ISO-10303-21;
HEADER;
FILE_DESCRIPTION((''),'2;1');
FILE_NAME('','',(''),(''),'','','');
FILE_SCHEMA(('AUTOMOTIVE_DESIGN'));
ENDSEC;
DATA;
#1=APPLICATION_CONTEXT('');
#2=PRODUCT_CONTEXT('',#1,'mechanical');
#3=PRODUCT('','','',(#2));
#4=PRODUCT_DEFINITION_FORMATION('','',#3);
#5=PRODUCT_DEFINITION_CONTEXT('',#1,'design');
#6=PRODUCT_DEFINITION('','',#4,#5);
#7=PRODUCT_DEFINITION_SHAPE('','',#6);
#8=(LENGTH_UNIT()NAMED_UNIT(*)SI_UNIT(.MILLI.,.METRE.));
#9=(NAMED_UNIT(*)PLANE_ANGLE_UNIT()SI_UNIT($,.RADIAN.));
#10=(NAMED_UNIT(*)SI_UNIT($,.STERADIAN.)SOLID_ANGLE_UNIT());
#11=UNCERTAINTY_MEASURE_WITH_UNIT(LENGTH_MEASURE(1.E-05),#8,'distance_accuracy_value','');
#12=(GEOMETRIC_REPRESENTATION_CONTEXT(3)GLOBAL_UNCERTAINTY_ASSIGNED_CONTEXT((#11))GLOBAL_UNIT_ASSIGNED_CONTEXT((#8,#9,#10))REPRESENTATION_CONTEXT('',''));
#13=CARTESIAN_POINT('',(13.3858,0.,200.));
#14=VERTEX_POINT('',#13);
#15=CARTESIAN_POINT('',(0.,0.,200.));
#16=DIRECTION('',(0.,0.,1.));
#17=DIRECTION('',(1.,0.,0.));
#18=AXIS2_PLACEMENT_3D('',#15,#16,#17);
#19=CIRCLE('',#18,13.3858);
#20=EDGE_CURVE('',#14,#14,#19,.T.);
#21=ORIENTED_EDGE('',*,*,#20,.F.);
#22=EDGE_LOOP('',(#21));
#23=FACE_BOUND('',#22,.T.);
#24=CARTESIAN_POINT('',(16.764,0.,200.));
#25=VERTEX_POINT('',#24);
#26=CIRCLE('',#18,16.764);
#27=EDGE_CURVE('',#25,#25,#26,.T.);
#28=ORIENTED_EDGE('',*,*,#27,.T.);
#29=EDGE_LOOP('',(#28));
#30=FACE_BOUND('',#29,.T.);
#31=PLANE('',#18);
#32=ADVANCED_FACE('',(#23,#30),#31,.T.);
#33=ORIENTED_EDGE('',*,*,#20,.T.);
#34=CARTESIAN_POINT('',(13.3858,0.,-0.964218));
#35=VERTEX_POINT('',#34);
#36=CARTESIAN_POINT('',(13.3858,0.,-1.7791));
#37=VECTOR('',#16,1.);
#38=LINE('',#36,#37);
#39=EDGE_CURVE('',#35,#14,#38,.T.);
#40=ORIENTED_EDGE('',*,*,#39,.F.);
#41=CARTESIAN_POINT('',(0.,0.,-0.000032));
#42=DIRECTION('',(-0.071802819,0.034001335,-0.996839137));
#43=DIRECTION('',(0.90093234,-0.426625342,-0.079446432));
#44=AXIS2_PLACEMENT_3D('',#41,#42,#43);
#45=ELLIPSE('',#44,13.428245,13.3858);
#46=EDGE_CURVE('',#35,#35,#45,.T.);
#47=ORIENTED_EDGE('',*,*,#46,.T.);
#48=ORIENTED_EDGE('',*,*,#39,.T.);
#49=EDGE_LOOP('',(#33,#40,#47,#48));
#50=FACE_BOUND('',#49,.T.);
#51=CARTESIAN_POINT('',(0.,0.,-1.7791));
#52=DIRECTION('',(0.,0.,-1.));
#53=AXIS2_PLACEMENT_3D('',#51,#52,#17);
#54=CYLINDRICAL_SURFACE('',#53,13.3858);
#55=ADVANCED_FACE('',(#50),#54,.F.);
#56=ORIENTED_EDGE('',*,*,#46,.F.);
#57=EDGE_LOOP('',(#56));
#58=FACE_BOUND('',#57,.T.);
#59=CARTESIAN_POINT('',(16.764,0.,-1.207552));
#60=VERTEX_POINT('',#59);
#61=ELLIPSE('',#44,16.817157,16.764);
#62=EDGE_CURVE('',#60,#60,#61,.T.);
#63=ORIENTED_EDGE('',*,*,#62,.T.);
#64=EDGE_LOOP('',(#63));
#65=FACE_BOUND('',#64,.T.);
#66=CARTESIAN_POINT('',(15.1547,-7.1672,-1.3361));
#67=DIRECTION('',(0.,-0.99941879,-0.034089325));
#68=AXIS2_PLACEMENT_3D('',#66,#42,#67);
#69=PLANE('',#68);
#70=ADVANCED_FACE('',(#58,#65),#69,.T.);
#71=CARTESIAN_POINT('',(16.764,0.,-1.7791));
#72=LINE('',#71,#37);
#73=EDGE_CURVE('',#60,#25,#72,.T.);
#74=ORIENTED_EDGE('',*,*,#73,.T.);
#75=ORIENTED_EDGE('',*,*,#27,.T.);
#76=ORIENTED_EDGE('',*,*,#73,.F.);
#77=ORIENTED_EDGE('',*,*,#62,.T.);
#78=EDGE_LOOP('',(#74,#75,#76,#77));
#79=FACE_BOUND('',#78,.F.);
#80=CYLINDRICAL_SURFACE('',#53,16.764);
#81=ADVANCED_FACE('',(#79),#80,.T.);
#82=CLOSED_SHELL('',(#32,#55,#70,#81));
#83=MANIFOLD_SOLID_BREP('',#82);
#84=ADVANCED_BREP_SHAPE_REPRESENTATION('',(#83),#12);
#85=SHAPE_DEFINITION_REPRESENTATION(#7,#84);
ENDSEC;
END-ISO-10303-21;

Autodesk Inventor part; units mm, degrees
ref_plane "Start plane" through (0, 0, -1.7791) normal (0, 0, 1) x (1, 0, 0)
ref_plane "End plane" through (0, 0, 200) normal (0, 0, 1) x (1, 0, 0)
sketch "Sketch" plane through (0, 0, 0) normal (0, 0, 1) x (1, 0, 0)
  circle A0 centre (0, 0) radius 13.3858
  circle A1 centre (0, 0) radius 16.764
  dimension "d0" = 33.528
  dimension "d1" = 3.3782
extrude "Body" add sketch "Sketch" along normal up to surface (201.7791 mm away) from surface at -1.7791
sketch "Sketch3" plane through (0, 0, 0) normal (0, 0, 1) x (1, 0, 0)
  line L0 (0, 0) -> (10, 0)
ref_plane "Work Plane3" through (0, 0, 0) normal (0, -1, 0) x (1, 0, 0)
ref_plane "Work Plane4" through (15.1547, -7.1672, -1.3361) normal (-0.0718, 0.034, -0.9968) x (-0.6318, 0.7718, 0.0718)
split "Split1" plane through (15.1547, -7.1672, -1.3361) removes the side toward (-0.0718, 0.034, -0.9968)
sketch "Sketch4" plane through (0, 0, 0) normal (0, -1, 0) x (1, 0, 0)
  line L0 (-2, -1.7791) -> (12, -1.7791) projected
  line L1 (-2, 200) -> (12, 200) projected
  dimension "d7" = 201.7791
equation "\"d0\" = G_H"
equation "\"d1\" = G_T"
equation "\"d2\" = G_L"
equation "\"G_H\" = 33.528"
equation "\"G_T\" = 3.3782"
equation "\"G_L\" = 201.33612"
equation "\"G_OFFSET_START\" = 1.77909"
equation "\"G_OFFSET_END\" = 0"
equation "\"d4\" = -G_OFFSET_START"
equation "\"d5\" = G_OFFSET_END + B_L"
equation "\"B_L\" = 200"
properties part number "ANSI - 1 x 0.133 - 7.927" material "Steel, Mild"
